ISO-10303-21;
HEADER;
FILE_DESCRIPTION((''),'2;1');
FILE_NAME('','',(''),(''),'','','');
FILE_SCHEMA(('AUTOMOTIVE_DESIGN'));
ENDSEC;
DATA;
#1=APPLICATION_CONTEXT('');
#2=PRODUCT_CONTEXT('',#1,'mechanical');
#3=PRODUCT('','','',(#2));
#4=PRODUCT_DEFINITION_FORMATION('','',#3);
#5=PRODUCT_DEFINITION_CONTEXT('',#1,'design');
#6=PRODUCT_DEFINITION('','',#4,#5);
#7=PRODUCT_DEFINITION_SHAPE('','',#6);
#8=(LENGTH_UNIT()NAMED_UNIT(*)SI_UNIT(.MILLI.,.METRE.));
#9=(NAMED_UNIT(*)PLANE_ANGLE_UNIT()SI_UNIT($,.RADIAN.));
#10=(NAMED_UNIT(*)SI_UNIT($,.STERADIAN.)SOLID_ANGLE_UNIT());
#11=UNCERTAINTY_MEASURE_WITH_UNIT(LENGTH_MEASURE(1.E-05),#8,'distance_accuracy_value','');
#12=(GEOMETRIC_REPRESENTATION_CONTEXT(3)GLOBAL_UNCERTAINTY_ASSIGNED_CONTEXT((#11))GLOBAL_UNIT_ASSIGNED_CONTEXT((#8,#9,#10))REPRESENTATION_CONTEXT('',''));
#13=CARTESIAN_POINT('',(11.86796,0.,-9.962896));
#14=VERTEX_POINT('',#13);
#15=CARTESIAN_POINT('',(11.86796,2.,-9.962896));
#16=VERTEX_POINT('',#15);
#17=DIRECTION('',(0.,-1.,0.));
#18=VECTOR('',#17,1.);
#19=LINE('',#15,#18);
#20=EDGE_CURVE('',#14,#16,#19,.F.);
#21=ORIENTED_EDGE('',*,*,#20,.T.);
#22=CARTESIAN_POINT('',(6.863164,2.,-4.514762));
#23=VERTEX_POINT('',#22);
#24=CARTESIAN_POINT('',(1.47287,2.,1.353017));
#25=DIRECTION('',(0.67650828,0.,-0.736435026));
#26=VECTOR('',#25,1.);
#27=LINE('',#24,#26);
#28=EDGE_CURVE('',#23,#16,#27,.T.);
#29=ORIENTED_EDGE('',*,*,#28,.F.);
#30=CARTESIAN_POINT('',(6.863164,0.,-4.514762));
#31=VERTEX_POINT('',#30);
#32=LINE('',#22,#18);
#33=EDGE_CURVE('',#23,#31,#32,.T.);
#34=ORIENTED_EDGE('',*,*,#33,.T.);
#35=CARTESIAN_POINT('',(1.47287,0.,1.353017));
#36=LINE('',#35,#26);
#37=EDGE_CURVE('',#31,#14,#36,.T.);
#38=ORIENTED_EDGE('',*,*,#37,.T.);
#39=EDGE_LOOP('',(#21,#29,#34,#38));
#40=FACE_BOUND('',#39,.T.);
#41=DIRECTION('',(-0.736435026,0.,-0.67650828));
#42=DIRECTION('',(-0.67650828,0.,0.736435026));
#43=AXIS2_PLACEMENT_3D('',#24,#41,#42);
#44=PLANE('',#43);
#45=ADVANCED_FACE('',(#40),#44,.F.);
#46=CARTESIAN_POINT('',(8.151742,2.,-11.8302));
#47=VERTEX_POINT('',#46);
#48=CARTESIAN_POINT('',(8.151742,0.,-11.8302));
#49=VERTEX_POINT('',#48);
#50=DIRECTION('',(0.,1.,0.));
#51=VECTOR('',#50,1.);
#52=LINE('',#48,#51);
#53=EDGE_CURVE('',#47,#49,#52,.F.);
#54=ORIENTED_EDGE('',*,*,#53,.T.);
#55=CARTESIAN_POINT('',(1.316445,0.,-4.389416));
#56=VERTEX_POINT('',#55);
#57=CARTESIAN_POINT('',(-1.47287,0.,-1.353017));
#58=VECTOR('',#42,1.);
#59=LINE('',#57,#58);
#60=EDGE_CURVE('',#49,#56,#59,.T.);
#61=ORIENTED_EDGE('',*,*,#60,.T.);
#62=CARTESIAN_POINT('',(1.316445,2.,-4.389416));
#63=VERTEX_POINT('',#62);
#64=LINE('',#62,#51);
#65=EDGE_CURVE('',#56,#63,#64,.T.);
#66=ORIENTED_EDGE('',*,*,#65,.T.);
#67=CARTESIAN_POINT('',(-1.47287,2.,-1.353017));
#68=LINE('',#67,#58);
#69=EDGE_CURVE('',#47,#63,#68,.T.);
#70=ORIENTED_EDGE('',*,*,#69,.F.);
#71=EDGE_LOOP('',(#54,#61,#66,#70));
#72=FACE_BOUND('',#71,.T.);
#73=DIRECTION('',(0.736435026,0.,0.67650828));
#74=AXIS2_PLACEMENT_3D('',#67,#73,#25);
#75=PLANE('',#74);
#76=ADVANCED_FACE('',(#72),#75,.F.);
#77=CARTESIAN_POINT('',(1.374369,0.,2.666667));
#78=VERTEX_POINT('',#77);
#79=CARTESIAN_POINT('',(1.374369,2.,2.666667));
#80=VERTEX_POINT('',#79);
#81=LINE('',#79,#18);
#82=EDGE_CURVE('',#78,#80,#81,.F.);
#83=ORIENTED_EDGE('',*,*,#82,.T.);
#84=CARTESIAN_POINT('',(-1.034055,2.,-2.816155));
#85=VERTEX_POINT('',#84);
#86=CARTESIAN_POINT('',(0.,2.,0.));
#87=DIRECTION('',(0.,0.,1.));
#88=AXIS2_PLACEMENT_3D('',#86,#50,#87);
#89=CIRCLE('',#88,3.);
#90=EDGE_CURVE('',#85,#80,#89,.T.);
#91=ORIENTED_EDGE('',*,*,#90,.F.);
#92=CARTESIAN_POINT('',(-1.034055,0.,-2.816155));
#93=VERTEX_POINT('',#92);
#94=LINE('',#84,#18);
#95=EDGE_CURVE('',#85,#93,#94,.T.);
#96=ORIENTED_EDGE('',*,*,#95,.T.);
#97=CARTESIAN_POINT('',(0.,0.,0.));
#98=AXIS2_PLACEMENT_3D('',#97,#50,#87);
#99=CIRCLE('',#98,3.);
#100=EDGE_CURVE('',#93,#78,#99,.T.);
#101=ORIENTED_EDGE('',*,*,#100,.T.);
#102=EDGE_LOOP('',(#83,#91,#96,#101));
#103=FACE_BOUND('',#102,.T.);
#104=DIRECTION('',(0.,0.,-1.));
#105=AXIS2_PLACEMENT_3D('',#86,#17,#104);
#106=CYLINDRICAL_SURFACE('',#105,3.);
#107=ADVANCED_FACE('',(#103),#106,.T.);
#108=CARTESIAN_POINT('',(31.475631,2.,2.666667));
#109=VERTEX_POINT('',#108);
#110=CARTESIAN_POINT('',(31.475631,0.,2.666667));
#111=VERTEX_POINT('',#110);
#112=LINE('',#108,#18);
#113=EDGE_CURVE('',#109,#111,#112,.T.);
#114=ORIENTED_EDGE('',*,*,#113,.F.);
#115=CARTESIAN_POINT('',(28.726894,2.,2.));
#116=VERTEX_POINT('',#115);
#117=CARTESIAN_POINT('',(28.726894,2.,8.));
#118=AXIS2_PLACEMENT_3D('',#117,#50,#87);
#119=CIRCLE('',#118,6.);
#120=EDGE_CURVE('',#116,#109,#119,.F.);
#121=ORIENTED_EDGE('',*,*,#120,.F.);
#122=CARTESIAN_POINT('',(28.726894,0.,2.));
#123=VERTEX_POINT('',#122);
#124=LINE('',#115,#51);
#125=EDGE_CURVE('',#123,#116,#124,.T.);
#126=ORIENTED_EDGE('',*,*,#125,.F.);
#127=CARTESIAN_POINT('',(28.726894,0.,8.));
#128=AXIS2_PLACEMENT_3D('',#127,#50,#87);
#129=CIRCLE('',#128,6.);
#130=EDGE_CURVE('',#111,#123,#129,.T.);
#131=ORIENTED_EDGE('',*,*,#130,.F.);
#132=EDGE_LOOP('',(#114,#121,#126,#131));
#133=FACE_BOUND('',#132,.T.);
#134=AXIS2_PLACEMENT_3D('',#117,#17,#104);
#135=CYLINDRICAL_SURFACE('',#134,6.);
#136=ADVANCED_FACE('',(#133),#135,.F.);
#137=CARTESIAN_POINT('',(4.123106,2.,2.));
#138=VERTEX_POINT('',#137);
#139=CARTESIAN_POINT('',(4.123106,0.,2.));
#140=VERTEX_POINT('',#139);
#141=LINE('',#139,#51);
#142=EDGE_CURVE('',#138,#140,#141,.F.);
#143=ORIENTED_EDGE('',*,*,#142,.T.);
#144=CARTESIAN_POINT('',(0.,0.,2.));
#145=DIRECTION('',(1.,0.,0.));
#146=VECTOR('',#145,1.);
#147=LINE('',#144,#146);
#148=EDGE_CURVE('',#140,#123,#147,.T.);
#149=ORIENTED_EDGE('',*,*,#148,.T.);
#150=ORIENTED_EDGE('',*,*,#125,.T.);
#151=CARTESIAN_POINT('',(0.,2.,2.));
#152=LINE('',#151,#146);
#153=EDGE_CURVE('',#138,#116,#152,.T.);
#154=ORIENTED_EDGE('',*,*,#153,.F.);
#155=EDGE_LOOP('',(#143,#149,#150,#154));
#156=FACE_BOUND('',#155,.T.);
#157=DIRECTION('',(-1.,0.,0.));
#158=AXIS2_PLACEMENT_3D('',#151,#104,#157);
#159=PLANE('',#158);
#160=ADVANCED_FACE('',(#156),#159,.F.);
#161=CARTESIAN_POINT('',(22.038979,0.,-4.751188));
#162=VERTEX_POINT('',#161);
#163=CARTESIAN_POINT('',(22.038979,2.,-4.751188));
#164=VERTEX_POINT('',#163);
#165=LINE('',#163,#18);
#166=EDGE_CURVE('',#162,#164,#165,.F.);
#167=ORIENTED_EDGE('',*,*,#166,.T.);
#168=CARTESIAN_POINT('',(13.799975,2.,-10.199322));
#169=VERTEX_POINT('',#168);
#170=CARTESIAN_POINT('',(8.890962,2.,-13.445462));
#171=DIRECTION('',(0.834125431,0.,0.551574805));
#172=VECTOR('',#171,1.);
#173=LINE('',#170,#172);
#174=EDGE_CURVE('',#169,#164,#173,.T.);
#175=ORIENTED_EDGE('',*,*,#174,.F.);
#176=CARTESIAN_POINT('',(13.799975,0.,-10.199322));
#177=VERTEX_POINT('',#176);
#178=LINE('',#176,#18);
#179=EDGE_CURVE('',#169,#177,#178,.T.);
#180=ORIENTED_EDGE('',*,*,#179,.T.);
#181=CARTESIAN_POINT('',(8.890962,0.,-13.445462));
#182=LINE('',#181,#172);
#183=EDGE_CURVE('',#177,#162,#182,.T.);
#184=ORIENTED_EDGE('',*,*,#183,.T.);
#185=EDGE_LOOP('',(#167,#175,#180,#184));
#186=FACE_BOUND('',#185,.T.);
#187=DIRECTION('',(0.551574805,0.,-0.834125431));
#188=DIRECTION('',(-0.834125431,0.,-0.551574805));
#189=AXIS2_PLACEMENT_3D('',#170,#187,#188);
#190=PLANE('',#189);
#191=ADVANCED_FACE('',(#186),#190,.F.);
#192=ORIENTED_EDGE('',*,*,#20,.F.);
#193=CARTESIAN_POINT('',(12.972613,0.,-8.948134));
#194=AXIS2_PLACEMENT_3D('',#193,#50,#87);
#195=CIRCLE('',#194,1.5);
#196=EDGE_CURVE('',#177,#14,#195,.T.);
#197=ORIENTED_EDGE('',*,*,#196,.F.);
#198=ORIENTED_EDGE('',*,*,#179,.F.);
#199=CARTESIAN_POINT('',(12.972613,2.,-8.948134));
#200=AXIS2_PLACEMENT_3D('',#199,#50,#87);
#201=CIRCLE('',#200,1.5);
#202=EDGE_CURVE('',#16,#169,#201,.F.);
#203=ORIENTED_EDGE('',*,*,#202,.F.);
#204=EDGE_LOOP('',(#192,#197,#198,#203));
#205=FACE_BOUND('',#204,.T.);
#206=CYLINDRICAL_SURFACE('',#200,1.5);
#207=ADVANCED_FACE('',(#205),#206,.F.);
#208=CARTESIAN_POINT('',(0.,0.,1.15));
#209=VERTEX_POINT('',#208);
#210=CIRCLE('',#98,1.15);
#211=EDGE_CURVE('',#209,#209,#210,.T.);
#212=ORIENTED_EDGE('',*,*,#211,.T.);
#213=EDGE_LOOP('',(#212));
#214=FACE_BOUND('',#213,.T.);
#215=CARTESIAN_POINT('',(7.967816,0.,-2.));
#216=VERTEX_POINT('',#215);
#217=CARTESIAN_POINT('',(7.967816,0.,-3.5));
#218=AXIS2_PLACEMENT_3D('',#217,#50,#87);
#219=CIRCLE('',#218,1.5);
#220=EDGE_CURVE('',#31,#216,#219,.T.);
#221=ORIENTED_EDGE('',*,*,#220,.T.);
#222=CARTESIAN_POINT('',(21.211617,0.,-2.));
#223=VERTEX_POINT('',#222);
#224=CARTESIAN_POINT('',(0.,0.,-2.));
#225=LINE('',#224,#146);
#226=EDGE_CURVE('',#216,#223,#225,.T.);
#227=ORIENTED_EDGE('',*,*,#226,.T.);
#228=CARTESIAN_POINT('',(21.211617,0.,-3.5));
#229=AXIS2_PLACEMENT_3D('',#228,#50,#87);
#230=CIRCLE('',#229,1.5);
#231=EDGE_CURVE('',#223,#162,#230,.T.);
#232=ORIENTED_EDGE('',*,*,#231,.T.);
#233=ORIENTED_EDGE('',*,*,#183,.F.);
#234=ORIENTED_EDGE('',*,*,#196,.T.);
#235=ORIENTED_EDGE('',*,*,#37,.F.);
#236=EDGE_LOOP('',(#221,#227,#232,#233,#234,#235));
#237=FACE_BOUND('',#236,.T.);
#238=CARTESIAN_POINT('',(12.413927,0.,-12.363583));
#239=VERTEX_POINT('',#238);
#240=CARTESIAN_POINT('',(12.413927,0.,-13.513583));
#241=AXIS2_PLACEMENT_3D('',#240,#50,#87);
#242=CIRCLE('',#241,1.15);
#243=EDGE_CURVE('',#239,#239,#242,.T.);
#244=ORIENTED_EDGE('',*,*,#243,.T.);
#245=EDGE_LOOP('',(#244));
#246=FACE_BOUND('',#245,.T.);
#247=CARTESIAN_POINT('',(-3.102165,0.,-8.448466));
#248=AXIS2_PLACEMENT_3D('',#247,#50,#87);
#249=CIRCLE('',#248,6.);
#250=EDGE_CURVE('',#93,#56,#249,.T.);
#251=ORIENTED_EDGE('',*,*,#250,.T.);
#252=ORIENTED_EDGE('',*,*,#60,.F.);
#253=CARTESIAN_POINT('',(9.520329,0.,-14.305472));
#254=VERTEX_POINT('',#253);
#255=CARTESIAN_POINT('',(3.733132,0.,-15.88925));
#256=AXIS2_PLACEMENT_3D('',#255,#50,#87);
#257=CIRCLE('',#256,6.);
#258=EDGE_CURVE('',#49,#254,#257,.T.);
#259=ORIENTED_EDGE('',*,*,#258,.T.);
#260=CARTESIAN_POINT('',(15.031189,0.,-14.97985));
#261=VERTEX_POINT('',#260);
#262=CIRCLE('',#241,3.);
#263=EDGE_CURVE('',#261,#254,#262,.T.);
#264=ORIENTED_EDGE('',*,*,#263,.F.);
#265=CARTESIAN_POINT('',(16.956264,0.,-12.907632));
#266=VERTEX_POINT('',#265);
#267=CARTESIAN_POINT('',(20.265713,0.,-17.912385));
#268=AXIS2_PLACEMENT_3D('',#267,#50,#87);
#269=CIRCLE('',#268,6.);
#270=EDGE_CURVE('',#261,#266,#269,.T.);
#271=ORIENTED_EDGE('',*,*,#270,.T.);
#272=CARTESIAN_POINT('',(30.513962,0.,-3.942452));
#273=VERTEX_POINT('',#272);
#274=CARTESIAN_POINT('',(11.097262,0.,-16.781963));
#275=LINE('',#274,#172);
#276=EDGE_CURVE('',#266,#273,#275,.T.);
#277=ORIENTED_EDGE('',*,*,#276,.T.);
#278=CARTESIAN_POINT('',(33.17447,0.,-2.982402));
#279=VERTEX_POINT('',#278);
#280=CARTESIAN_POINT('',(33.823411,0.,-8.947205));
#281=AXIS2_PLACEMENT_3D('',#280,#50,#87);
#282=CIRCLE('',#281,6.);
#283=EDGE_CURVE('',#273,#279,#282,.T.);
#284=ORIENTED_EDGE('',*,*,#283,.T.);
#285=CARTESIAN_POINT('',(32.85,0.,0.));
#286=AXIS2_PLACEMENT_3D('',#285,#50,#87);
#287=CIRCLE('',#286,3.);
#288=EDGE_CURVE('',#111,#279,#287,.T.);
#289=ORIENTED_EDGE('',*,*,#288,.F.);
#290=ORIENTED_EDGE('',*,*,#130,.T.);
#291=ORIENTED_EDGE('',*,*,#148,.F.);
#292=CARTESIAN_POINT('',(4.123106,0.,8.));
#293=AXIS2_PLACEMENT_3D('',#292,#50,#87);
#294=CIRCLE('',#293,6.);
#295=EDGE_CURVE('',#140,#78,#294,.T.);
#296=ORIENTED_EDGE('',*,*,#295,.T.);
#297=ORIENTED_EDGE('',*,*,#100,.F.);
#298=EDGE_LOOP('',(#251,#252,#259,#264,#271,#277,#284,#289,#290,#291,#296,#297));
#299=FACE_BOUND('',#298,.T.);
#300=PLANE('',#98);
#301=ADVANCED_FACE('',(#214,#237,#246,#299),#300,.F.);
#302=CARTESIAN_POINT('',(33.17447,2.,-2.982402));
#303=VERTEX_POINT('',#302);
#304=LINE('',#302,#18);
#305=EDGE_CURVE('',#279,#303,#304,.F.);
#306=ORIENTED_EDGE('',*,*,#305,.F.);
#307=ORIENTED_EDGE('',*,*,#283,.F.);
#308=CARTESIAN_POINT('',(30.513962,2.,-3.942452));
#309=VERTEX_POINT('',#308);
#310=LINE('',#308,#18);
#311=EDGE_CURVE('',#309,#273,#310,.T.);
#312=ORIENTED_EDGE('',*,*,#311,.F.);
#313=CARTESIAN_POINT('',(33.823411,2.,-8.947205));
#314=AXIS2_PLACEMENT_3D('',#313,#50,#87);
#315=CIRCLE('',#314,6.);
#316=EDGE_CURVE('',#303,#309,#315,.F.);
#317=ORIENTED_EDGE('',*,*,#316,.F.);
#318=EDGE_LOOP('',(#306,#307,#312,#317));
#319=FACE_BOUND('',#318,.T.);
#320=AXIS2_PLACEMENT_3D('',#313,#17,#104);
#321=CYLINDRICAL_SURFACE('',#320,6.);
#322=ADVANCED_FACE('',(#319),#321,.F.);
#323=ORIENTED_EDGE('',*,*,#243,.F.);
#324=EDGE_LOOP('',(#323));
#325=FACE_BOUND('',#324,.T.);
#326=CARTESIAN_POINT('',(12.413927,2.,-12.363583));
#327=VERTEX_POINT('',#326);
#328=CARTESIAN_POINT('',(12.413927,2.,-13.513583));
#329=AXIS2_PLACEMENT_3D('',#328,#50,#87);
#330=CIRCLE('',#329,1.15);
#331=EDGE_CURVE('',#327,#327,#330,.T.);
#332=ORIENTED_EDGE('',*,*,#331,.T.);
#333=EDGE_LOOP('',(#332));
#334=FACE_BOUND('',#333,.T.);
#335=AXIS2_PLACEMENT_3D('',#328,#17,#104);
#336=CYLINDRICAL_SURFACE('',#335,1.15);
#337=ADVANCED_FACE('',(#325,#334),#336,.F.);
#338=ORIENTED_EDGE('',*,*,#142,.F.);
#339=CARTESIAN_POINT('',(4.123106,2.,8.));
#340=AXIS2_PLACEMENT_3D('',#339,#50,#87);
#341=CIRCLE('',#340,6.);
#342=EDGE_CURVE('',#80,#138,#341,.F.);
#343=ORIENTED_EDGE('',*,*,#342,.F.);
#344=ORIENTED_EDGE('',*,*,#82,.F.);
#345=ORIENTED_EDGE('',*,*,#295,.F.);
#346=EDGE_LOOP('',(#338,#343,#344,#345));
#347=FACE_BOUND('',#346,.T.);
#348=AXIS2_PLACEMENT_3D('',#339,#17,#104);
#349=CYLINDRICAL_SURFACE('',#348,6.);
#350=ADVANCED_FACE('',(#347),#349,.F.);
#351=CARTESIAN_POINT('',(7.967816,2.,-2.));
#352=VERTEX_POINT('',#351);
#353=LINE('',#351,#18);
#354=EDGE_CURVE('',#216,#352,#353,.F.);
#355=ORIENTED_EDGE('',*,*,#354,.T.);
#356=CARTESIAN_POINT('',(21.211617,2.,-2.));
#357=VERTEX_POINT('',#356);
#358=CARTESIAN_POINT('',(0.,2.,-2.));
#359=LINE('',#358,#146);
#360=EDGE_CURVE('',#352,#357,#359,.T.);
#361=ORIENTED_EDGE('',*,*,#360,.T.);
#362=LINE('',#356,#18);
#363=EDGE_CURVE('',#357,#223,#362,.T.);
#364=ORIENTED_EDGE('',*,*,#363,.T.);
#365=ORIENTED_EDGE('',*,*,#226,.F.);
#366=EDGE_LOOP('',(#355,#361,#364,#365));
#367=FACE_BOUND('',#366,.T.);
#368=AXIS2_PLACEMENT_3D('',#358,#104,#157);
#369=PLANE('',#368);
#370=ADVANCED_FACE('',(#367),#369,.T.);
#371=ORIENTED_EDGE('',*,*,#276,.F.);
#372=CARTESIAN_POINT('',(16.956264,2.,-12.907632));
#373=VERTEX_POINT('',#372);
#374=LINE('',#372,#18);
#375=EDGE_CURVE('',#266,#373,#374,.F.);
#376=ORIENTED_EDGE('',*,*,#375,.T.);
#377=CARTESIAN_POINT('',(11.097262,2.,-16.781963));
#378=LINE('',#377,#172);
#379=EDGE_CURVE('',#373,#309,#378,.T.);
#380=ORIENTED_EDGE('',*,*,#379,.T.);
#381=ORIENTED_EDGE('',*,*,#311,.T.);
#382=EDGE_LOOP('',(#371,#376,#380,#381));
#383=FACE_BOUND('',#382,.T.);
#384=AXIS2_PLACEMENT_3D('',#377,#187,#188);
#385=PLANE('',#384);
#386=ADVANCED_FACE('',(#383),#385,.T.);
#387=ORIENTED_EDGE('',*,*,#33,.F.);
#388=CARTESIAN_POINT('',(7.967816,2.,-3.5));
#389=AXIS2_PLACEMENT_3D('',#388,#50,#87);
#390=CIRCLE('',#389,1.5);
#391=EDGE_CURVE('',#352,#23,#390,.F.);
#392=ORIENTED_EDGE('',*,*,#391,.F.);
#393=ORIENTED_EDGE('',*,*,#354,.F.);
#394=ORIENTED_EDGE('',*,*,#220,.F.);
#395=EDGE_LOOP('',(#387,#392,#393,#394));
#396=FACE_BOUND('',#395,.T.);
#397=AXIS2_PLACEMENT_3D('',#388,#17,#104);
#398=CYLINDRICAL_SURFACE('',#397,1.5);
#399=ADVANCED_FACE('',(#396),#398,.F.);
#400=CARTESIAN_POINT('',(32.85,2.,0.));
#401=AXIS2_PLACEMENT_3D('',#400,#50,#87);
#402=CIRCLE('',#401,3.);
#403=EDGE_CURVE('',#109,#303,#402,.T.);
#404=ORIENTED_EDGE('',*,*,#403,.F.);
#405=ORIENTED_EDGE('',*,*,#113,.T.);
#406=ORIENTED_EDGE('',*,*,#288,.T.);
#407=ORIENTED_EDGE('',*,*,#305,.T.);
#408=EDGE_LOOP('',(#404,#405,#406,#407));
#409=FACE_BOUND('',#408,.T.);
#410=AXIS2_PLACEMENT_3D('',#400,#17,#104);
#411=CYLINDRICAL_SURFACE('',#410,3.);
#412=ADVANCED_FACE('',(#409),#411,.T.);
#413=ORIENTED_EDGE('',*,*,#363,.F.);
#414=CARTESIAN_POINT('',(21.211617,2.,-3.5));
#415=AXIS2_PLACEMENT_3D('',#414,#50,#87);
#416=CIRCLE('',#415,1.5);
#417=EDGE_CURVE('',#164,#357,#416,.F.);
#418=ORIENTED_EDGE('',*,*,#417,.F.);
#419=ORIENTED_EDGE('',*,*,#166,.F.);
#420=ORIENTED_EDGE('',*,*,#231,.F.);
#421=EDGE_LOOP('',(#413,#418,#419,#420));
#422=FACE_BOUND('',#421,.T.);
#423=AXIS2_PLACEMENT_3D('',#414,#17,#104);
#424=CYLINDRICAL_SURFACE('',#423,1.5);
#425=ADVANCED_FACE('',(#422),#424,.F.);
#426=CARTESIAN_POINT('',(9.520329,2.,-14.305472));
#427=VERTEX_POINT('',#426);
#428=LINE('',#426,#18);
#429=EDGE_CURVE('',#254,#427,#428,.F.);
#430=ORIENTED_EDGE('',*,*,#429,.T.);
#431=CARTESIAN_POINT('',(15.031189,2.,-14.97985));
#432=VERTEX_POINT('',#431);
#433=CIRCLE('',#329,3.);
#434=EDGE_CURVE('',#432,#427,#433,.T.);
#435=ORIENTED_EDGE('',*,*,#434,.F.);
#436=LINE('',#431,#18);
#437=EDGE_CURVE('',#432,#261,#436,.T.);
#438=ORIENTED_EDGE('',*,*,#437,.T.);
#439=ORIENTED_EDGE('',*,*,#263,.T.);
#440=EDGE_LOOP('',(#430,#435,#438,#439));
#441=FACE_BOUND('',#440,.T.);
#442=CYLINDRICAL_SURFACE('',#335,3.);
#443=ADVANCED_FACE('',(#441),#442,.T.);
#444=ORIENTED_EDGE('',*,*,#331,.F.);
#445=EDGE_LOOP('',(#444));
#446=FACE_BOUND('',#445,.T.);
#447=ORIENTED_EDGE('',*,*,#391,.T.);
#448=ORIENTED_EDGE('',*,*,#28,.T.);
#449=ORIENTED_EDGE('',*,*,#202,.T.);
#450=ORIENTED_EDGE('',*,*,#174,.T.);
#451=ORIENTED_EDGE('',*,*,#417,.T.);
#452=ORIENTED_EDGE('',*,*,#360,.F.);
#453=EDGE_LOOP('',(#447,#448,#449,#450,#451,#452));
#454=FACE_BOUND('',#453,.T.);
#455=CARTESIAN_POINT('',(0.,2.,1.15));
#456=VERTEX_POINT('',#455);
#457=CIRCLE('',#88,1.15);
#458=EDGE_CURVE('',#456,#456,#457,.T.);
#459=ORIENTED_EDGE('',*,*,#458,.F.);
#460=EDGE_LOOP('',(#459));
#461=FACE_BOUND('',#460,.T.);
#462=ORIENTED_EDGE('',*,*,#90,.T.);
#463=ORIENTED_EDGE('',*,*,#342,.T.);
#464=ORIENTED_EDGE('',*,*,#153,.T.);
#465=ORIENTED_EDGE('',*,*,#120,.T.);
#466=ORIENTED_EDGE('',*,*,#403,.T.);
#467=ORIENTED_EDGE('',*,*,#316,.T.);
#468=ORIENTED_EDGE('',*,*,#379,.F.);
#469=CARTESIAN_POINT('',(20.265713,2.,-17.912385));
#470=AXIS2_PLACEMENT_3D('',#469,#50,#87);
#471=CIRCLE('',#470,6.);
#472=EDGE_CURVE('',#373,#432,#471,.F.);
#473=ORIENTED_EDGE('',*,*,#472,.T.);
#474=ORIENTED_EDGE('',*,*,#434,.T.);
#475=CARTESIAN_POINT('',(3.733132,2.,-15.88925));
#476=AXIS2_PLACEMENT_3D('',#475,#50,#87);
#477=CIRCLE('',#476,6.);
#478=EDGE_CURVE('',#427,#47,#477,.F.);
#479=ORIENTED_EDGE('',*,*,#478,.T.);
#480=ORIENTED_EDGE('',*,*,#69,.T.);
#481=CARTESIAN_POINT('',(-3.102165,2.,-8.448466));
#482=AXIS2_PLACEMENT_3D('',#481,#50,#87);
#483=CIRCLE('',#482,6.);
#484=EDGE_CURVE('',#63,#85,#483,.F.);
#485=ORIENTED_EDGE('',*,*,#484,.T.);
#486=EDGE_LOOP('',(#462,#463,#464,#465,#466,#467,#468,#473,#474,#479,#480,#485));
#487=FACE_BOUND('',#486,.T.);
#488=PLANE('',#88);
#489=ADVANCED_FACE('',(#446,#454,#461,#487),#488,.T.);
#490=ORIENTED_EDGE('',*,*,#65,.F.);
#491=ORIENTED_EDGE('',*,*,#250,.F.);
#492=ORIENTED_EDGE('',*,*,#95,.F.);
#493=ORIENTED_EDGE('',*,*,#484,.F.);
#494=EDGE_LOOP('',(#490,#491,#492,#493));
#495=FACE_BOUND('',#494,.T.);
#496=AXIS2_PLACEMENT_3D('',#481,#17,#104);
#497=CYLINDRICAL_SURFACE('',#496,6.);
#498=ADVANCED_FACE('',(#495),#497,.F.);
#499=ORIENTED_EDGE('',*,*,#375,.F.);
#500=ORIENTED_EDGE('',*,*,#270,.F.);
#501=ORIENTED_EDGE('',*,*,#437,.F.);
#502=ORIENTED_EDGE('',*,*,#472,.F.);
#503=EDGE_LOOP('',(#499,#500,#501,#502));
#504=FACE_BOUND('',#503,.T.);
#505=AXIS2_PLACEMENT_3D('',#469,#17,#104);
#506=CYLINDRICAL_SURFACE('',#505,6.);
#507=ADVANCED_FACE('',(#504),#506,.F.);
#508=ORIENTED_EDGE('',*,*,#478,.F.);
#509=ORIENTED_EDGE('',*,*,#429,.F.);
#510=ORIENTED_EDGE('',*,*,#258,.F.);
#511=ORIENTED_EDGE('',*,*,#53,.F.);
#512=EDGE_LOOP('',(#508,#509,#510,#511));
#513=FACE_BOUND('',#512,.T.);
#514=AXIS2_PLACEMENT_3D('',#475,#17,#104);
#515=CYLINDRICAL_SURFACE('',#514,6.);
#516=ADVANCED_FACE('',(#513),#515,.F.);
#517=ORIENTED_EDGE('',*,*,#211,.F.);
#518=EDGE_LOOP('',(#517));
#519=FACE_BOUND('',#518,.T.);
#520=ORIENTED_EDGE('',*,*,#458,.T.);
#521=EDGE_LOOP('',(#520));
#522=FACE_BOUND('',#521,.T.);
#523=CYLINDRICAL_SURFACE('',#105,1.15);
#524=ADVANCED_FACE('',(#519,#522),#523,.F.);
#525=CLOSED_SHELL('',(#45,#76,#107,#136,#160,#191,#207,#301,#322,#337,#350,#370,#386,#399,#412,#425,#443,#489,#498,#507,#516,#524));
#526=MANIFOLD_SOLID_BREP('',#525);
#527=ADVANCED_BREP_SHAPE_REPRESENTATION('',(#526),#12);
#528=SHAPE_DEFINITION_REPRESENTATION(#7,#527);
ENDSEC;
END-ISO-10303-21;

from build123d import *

# Parameters (mm, degrees)
SKETCH_1_R      = 1.15
EXTRUDE_1_DEPTH = 2
FILLET_1_R      = 6
FILLET_2_R      = 1.5


with BuildPart() as part:
    # Эскиз1 → Бобышка-Вытянуть1 (new body)
    with BuildSketch(Plane(origin=(0, 0, 0), x_dir=(1, 0, 0), z_dir=(0, 1, 0))):
        with BuildLine():
            Line((9.428338388, 13.219880501), (0.039848451, 2.999735338))
            ThreePointArc((0.039848451, 2.999735338), (-2.746686597, -1.206529212), (2.236067977, -2))
            Line((2.236067977, -2), (30.613932023, -2))
            ThreePointArc((30.613932023, -2), (35.722901746, -0.863965023), (32.087988444, 2.90160962))
            Line((32.087988444, 2.90160962), (15.382237716, 13.948474823))
            ThreePointArc((15.382237716, 13.948474823), (12.049527364, 16.491369305), (9.428338388, 13.219880501))
        make_face()
        with Locations(Location((0, 0, 0), (0, 0, 270))):
            Circle(SKETCH_1_R, mode=Mode.SUBTRACT)
        with Locations(Location((12.413926941, 13.513582719, 0), (0, 0, 270))):
            Circle(SKETCH_1_R, mode=Mode.SUBTRACT)
        Polygon((4.55303787, 2), (12.733176086, 10.904754713), (26.199495246, 2), align=None, mode=Mode.SUBTRACT)
    extrude(amount=EXTRUDE_1_DEPTH)

    # Скругление1
    fillet_1_edges = [part.edges().sort_by_distance(p)[0] for p in [
        (2.236067977, 1, 2),
        (0.039848451, 1, -2.999735338),
        (9.428338388, 1, -13.219880501),
        (15.382237716, 1, -13.948474823),
        (32.087988444, 1, -2.90160962),
        (30.613932023, 1, 2),
    ]]
    fillet(fillet_1_edges, radius=FILLET_1_R)

    # Скругление2
    fillet_2_edges = [part.edges().sort_by_distance(p)[0] for p in [
        (26.199495246, 1, -2),
        (12.733176086, 1, -10.904754713),
        (4.55303787, 1, -2),
    ]]
    fillet(fillet_2_edges, radius=FILLET_2_R)


solid = part.part
